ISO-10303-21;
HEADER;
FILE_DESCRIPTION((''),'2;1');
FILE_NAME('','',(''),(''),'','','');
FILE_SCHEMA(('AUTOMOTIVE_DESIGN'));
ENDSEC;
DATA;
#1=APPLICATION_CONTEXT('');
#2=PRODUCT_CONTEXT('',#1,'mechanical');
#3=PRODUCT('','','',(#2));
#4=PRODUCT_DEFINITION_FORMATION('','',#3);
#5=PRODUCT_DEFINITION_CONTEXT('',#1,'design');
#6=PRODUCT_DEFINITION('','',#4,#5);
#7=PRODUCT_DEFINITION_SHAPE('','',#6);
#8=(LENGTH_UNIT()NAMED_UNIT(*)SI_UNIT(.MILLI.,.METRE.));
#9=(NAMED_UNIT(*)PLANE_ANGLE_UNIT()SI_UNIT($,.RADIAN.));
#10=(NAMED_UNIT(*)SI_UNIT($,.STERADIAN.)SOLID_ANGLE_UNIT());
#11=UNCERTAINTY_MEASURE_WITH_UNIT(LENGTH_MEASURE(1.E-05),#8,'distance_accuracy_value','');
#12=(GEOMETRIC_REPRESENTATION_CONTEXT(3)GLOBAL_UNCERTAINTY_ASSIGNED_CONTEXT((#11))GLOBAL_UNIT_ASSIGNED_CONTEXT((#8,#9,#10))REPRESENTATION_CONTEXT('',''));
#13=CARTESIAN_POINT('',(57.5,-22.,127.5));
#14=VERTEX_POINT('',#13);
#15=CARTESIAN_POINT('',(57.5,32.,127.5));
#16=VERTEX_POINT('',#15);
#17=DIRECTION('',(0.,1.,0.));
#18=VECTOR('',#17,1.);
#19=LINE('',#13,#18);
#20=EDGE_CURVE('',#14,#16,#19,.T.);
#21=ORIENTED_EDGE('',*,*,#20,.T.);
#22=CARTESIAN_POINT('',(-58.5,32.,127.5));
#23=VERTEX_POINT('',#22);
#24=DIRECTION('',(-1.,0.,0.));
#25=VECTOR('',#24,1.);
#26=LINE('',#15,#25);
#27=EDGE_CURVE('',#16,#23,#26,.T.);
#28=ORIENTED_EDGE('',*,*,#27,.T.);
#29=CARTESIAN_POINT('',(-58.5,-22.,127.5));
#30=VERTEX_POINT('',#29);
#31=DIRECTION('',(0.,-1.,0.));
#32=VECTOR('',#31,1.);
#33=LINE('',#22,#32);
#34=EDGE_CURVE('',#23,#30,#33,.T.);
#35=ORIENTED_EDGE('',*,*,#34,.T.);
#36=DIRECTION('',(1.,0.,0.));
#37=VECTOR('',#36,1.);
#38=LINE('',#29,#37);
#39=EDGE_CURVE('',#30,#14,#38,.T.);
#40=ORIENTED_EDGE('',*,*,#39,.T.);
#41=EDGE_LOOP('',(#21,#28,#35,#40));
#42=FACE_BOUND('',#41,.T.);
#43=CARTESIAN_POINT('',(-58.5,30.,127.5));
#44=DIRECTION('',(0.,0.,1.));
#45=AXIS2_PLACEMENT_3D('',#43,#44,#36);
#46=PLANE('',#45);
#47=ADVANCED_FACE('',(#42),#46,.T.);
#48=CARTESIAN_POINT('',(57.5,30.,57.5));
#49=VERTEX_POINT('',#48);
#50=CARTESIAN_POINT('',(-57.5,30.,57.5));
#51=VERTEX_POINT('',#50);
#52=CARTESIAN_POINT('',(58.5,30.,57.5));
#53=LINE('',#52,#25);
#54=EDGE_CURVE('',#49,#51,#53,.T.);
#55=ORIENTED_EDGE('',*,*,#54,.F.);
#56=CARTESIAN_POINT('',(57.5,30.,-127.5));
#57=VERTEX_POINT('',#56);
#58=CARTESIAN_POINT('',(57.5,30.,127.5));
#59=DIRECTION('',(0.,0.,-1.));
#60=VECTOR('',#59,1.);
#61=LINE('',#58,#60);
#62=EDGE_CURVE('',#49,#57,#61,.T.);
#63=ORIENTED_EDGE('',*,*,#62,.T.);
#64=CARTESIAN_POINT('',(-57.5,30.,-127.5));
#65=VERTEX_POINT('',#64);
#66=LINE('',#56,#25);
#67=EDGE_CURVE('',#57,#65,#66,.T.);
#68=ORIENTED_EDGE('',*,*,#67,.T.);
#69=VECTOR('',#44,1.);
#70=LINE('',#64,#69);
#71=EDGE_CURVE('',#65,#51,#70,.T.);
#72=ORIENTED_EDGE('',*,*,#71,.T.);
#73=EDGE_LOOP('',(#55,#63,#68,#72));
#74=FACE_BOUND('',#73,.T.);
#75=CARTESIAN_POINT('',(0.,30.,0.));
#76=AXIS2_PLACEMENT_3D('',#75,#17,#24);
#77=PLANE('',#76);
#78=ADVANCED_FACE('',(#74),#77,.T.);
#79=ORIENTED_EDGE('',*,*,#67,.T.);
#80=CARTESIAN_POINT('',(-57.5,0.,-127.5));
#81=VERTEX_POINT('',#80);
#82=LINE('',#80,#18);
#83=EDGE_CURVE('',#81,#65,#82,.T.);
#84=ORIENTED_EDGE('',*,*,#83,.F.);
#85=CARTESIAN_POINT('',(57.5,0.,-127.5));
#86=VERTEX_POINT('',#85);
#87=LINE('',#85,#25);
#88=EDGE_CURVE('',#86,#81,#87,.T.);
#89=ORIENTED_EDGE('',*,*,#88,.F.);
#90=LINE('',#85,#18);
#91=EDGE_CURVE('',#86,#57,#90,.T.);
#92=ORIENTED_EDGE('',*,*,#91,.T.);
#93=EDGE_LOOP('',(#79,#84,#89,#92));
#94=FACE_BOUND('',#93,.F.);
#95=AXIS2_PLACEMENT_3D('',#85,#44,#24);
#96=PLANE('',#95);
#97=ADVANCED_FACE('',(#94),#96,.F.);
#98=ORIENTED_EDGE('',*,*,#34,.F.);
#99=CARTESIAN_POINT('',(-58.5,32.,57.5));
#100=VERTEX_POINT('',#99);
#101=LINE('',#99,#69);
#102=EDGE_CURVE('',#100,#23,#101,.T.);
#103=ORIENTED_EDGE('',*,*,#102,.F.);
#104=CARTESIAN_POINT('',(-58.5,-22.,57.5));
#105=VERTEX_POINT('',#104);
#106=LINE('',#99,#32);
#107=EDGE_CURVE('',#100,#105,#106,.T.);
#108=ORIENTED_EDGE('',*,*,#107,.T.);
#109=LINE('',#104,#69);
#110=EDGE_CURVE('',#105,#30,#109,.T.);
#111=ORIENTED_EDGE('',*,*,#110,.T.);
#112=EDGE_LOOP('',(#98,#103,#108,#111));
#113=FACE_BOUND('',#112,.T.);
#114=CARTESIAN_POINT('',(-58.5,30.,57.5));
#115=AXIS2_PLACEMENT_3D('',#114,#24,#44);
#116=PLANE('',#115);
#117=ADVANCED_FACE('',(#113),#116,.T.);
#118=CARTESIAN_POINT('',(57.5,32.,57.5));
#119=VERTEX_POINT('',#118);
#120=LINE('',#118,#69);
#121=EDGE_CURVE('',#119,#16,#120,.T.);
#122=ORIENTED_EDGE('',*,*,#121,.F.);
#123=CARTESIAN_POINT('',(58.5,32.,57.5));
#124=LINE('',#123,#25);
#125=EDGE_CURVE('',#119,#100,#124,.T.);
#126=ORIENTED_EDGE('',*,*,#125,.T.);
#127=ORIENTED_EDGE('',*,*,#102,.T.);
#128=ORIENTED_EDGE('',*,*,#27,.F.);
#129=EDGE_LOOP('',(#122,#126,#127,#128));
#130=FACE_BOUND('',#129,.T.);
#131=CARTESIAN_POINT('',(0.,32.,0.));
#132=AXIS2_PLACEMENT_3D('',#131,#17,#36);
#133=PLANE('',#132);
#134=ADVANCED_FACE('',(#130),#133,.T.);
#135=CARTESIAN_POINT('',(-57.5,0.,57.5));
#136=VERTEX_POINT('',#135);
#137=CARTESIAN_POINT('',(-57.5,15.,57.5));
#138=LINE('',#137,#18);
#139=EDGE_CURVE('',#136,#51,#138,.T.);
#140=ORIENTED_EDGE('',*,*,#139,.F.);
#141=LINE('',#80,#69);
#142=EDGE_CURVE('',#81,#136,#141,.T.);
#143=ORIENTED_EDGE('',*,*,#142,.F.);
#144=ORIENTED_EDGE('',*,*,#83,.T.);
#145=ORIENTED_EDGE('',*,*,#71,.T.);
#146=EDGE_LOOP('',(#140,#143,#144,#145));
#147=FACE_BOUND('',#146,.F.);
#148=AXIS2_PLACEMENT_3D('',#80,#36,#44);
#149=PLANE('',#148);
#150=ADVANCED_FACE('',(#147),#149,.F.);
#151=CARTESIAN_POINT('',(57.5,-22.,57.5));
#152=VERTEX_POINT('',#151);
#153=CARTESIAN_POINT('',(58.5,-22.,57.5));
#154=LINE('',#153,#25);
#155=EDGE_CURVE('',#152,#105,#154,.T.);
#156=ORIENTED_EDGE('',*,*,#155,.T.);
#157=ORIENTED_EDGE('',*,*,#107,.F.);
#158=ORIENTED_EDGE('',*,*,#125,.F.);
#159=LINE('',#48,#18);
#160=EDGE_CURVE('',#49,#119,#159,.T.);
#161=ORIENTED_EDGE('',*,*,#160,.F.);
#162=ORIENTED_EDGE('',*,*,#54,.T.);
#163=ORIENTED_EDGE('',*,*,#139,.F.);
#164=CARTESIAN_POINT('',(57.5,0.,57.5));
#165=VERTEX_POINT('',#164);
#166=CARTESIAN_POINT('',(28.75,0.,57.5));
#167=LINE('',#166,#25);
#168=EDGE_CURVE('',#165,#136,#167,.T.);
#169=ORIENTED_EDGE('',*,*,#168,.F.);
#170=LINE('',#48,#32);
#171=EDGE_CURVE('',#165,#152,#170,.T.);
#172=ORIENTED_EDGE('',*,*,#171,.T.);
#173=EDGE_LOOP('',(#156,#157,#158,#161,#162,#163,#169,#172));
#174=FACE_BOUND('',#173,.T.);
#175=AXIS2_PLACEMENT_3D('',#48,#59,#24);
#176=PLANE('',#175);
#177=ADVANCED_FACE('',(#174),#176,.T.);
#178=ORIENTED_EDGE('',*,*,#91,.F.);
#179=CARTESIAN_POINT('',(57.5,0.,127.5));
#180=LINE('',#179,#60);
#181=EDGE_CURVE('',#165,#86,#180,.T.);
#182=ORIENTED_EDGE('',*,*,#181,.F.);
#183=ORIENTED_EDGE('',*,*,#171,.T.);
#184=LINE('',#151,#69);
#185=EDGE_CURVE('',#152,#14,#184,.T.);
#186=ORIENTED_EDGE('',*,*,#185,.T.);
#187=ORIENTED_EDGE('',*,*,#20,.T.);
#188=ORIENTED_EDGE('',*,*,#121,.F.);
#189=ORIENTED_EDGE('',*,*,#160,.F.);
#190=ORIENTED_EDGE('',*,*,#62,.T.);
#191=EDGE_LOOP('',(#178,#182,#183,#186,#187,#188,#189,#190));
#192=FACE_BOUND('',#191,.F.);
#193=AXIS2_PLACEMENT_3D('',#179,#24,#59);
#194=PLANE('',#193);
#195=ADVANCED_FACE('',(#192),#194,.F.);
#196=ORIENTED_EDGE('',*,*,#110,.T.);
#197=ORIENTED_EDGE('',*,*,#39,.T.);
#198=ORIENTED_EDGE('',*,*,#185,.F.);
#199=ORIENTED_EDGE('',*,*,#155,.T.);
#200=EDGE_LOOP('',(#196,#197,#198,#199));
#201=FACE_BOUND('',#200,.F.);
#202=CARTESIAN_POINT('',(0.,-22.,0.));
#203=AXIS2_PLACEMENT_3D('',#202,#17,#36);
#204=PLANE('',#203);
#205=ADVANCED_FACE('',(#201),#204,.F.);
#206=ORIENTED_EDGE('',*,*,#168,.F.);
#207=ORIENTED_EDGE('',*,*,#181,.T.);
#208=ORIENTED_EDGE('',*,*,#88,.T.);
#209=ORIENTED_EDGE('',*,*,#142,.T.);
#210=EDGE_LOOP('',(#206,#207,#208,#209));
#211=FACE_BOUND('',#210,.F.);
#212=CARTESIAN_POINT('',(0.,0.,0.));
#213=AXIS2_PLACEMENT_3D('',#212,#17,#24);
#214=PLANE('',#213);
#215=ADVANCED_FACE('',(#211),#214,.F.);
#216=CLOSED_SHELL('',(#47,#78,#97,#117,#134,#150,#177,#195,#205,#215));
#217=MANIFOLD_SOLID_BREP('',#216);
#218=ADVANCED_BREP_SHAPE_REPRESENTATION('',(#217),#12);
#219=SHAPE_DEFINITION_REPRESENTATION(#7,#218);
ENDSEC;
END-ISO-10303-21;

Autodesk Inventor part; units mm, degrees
ref_plane "YZ Plane" through (0, 0, 0) normal (1, 0, 0) x (0, 1, 0)
ref_plane "XZ Plane" through (0, 0, 0) normal (0, 1, 0) x (-1, 0, 0)
ref_plane "XY Plane" through (0, 0, 0) normal (0, 0, 1) x (1, 0, 0)
sketch "Sketch1" plane through (0, 0, 0) normal (0, 1, 0) x (-1, 0, 0)
  line L0 (-57.5, -127.5) -> (57.5, -127.5)
  line L1 (57.5, -127.5) -> (57.5, 127.5)
  line L2 (57.5, 127.5) -> (-57.5, 127.5)
  line L3 (-57.5, 127.5) -> (-57.5, -127.5)
  line L4 (-57.5, -127.5) -> (57.5, 127.5) construction
  line L5 (57.5, -127.5) -> (-57.5, 127.5) construction
  point P0 (0, 0)
  dimension "d0" = 115
  dimension "d1" = 255
extrude "Extrusion1" add sketch "Sketch1" along normal blind 30
sketch "Sketch2" plane through (0, 30, 0) normal (0, 1, 0) x (1, 0, 0)
  line L0 (-57.5, -127.5) -> (57.5, -127.5) projected
  line L1 (58.5, -57.5) -> (-58.5, -57.5)
  line L2 (-58.5, -57.5) -> (-58.5, -127.5)
  line L3 (-58.5, -127.5) -> (58.5, -127.5)
  line L4 (58.5, -127.5) -> (58.5, -57.5)
  line L5 (58.5, -57.5) -> (-58.5, -127.5) construction
  line L6 (-58.5, -57.5) -> (58.5, -127.5) construction
  line L7 (57.5, -57.5) -> (57.5, -127.5)
  point P0 (0, 0)
  point P1 (0, -92.5)
  dimension "d4" = 35
  dimension "d5" = 117
extrude "Extrusion2" add sketch "Sketch2" along normal blind 2 contours L3 L2 L1 L7 L0
extrude "Extrusion3" add sketch "Sketch2" against normal blind 52 contours L3 L2 L1 L7 L0
properties part number "PSU"
